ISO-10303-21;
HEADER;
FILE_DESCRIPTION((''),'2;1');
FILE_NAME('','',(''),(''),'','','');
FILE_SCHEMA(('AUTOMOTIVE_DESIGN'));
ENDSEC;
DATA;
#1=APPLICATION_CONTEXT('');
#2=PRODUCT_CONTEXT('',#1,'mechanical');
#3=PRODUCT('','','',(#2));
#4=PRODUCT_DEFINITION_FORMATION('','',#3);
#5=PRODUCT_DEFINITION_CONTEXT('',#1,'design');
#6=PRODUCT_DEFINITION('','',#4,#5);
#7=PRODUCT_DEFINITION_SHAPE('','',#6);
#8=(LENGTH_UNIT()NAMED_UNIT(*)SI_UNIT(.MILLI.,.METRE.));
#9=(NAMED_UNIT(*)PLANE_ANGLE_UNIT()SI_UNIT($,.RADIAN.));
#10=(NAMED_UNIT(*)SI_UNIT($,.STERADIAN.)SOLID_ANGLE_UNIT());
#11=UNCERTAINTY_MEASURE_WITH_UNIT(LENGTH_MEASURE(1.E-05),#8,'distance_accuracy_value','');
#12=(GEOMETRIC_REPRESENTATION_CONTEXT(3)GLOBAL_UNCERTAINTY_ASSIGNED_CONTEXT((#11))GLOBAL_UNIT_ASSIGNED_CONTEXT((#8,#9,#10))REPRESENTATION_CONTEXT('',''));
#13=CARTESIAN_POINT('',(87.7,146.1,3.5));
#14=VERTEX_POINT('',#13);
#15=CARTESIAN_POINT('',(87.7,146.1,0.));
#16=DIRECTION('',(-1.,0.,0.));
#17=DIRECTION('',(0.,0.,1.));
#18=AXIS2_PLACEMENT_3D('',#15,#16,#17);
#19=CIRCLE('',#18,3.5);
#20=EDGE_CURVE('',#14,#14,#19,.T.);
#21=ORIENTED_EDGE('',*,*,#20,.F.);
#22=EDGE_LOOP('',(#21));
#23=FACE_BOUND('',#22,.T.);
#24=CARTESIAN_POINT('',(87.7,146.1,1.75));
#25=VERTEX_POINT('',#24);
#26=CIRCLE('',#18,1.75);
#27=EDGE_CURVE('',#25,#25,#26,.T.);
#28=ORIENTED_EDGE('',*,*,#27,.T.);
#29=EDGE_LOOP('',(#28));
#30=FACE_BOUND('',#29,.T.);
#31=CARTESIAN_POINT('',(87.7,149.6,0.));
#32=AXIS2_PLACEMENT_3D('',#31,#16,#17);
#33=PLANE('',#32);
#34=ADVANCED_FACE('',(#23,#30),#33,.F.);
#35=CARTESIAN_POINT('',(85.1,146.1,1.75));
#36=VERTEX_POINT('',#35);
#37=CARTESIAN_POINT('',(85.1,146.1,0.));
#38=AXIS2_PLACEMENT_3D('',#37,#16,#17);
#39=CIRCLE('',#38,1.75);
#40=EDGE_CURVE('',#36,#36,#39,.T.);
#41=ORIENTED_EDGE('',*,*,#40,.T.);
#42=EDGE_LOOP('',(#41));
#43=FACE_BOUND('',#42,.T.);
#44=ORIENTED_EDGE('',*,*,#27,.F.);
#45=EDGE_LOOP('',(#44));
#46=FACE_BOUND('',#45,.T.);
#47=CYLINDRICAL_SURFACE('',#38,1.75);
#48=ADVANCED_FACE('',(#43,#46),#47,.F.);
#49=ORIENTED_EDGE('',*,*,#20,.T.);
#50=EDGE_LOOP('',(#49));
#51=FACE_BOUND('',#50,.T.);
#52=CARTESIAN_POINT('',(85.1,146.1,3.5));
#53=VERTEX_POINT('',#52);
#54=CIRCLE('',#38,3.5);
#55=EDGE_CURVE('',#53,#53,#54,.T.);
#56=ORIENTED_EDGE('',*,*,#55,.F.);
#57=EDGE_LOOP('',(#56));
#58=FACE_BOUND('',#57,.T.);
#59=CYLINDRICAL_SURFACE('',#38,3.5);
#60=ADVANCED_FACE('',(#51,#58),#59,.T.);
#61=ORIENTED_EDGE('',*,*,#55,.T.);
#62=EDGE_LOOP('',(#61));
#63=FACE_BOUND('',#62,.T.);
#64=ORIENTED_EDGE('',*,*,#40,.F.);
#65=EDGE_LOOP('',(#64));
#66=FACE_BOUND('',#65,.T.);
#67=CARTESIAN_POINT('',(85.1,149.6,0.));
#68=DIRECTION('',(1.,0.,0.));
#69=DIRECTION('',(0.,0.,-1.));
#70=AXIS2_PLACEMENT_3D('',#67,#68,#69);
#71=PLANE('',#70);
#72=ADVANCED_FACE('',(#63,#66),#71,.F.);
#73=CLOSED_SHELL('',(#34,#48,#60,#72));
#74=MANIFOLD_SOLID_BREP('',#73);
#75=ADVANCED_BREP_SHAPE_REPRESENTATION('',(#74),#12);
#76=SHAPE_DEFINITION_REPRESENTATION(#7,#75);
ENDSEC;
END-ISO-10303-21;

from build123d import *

# Parameters (mm, degrees)
SKETCH15_W   = 26
SKETCH15_H   = 35
SKETCH16_W   = 26
SKETCH16_H   = 17.5
SCALE1_SCALE = 0.1


with BuildPart() as part:
    # Sketch15 → Revolve1 (revolve)
    with BuildSketch(Plane.XY, mode=Mode.PRIVATE) as revolve1_sk:
        with Locations((864, 1478.5)):
            Rectangle(SKETCH15_W, SKETCH15_H)
    revolve(revolve1_sk.sketch.rotate(Axis((851, 1461, 0), (1, 0, 0)), 90), axis=Axis((851, 1461, 0), (1, 0, 0)))

    # Sketch16 → Cut-Revolve1 (revolve, cut)
    with BuildSketch(Plane.XY, mode=Mode.PRIVATE) as cut_revolve1_sk:
        with Locations((864, 1469.75)):
            Rectangle(SKETCH16_W, SKETCH16_H)
    revolve(cut_revolve1_sk.sketch.rotate(Axis((851, 1461, 0), (1, 0, 0)), 90), axis=Axis((851, 1461, 0), (1, 0, 0)), mode=Mode.SUBTRACT)


with BuildPart() as part_1:
    # Scale1: scaled about (0, 0, 0)
    add(part.part.scale(SCALE1_SCALE))


solid = part_1.part
